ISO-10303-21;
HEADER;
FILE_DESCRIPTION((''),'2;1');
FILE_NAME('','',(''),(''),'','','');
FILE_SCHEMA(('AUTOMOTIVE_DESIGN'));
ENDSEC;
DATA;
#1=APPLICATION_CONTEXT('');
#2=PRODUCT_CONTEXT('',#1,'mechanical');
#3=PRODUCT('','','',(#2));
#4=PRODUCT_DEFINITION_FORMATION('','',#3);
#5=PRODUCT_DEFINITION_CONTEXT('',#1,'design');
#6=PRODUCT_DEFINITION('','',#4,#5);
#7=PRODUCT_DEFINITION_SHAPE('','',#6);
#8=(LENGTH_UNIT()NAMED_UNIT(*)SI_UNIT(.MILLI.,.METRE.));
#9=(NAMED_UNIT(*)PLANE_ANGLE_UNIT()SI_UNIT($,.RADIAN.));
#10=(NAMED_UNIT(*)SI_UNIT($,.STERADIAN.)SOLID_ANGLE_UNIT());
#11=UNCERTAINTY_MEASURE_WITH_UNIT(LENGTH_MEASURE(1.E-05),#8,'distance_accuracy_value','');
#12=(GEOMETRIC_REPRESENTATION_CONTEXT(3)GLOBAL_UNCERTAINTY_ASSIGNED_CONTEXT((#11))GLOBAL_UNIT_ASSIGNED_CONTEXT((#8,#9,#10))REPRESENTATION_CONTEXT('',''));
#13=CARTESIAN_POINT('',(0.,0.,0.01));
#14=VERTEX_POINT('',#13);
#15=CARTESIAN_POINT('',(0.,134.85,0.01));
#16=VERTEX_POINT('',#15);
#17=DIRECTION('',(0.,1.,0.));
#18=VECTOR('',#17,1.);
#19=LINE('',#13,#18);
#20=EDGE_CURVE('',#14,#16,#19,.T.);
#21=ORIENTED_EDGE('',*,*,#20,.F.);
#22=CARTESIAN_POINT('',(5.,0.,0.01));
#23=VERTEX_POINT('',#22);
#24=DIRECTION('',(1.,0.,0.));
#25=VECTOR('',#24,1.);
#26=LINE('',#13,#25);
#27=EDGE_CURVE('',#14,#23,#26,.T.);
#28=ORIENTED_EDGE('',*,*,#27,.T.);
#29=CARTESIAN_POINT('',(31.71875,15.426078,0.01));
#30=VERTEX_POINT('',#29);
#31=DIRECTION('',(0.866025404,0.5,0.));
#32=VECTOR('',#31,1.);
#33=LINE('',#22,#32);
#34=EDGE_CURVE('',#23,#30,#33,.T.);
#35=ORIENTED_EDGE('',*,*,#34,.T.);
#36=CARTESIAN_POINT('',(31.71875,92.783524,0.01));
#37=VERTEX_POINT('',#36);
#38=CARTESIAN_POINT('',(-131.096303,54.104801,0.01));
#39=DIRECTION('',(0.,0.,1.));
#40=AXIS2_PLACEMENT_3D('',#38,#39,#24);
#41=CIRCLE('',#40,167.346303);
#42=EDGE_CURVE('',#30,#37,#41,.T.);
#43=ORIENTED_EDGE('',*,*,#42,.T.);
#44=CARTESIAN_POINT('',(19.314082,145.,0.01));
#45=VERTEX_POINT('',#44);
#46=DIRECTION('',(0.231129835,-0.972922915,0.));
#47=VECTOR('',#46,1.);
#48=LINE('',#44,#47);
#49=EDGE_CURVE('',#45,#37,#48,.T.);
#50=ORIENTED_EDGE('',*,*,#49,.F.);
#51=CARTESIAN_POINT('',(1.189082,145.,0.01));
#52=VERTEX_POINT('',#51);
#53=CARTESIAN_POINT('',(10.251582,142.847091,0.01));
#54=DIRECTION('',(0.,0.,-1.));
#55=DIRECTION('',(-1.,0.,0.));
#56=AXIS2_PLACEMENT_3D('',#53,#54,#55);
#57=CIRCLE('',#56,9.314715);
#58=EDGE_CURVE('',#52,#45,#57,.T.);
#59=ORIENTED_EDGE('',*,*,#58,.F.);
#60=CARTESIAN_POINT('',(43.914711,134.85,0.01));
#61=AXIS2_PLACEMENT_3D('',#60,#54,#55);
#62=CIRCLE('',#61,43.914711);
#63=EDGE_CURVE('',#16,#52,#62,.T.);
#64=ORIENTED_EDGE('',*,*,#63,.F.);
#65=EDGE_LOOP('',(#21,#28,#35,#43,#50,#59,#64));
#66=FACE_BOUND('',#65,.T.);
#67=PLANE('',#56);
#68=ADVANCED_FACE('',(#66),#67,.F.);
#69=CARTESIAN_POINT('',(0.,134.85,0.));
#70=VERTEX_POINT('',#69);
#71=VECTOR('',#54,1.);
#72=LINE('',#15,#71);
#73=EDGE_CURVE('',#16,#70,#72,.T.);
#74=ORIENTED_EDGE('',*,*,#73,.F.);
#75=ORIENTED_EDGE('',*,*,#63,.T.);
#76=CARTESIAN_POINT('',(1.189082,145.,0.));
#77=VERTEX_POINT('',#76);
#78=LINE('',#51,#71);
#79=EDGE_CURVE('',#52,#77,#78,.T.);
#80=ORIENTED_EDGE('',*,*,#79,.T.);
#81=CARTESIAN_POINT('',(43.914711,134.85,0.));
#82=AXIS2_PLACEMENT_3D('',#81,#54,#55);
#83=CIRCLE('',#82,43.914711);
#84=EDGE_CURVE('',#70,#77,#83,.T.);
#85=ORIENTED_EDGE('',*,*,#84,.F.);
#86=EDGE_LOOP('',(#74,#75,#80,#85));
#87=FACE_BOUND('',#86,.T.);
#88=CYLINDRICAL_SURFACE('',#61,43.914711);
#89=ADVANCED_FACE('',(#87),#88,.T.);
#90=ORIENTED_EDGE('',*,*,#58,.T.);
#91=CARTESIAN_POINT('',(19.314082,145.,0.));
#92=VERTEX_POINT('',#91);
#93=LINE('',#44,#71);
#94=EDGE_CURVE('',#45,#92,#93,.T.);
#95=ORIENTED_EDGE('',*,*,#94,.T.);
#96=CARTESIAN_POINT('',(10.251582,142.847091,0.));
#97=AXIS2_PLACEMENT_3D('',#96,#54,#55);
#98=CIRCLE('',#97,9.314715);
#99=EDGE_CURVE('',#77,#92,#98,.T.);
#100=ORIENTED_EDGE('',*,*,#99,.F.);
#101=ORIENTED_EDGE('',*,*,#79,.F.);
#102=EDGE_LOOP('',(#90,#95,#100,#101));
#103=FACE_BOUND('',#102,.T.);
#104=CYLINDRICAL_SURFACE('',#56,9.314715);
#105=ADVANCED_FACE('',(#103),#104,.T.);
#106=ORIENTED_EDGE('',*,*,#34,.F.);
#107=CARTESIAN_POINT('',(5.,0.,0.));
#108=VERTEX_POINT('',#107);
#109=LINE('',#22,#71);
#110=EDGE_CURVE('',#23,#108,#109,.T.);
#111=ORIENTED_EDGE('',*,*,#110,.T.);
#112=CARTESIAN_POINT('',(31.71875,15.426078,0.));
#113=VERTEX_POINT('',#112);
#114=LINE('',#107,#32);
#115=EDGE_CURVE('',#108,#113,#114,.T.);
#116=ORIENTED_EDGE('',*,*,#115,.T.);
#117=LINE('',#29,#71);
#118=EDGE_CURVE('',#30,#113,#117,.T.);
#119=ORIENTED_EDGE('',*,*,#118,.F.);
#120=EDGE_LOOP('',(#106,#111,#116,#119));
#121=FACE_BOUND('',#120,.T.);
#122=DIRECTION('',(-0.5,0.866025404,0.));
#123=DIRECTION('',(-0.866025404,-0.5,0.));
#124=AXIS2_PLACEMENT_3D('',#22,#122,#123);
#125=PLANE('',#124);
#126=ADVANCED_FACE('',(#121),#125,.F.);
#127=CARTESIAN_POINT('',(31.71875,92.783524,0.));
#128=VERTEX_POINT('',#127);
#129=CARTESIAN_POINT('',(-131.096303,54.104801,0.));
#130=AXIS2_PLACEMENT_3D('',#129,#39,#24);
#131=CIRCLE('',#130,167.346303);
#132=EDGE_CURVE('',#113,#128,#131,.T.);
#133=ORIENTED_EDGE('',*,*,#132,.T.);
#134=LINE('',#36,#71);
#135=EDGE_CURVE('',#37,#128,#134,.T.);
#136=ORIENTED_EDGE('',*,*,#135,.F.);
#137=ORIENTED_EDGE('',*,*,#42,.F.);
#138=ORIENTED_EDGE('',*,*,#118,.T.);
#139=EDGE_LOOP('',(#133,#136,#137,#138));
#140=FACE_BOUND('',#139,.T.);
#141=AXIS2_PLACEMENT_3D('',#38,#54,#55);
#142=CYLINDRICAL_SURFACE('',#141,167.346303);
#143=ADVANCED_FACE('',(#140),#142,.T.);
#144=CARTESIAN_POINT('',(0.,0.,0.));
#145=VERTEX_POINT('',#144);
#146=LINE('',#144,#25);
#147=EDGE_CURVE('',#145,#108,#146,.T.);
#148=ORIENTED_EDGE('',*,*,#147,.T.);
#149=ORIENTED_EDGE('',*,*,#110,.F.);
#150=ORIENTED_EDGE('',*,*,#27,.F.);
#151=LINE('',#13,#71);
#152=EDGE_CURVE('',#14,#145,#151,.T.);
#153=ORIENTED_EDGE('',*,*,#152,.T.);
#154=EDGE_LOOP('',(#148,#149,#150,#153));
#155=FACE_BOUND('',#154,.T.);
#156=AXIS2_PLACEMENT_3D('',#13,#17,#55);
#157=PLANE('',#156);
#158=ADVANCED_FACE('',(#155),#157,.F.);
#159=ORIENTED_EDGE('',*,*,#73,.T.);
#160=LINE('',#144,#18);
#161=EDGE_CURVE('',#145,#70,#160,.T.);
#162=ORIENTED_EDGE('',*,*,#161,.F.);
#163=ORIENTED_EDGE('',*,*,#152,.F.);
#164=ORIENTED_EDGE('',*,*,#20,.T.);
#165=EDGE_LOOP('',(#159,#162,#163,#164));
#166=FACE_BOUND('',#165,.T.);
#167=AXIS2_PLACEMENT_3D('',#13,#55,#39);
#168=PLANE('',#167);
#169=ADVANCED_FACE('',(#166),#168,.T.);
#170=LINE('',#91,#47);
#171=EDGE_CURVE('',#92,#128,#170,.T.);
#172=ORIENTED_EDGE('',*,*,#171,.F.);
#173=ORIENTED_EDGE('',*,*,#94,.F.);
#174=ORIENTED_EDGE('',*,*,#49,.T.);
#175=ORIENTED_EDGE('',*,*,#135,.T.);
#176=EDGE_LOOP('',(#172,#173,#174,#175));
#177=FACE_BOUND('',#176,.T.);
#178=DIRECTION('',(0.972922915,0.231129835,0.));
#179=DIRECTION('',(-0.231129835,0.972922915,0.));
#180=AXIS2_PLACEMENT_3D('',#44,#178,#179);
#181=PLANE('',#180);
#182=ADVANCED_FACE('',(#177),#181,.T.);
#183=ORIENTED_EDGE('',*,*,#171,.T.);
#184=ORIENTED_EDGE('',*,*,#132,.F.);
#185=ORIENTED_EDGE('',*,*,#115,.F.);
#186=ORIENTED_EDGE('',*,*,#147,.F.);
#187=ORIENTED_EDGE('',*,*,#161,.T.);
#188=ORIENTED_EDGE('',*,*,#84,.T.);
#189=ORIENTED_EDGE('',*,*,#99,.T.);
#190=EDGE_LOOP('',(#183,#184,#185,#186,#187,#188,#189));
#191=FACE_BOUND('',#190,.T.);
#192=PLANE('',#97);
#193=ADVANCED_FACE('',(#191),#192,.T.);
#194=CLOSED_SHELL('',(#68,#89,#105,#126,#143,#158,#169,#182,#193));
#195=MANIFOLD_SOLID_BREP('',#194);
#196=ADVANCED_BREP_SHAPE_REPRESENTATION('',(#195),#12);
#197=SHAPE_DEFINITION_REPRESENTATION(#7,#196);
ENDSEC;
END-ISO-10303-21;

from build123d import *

# Parameters (mm, degrees)
BOSS_EXTRUDE1_DEPTH = 0.01


with BuildPart() as part:
    # Sketch1 → Boss-Extrude1 (new body)
    with BuildSketch(Plane(origin=(0, 0, 0), x_dir=(0, 1, 0), z_dir=(0, 0, 1))):
        with BuildLine():
            Line((0, 0), (134.85, 0))
            ThreePointArc((134.85, 0), (139.959706862, -0.29828361), (145, -1.189082355))
            ThreePointArc((145, -1.189082355), (152.161806716, -10.251582355), (145, -19.314082355))
            Line((145, -19.314082355), (92.783524319, -31.71875))
            ThreePointArc((92.783524319, -31.71875), (54.104800912, -36.25), (15.426077505, -31.71875))
            Line((15.426077505, -31.71875), (0, -5))
            Line((0, -5), (0, 0))
        make_face()
    extrude(amount=BOSS_EXTRUDE1_DEPTH)


solid = part.part
